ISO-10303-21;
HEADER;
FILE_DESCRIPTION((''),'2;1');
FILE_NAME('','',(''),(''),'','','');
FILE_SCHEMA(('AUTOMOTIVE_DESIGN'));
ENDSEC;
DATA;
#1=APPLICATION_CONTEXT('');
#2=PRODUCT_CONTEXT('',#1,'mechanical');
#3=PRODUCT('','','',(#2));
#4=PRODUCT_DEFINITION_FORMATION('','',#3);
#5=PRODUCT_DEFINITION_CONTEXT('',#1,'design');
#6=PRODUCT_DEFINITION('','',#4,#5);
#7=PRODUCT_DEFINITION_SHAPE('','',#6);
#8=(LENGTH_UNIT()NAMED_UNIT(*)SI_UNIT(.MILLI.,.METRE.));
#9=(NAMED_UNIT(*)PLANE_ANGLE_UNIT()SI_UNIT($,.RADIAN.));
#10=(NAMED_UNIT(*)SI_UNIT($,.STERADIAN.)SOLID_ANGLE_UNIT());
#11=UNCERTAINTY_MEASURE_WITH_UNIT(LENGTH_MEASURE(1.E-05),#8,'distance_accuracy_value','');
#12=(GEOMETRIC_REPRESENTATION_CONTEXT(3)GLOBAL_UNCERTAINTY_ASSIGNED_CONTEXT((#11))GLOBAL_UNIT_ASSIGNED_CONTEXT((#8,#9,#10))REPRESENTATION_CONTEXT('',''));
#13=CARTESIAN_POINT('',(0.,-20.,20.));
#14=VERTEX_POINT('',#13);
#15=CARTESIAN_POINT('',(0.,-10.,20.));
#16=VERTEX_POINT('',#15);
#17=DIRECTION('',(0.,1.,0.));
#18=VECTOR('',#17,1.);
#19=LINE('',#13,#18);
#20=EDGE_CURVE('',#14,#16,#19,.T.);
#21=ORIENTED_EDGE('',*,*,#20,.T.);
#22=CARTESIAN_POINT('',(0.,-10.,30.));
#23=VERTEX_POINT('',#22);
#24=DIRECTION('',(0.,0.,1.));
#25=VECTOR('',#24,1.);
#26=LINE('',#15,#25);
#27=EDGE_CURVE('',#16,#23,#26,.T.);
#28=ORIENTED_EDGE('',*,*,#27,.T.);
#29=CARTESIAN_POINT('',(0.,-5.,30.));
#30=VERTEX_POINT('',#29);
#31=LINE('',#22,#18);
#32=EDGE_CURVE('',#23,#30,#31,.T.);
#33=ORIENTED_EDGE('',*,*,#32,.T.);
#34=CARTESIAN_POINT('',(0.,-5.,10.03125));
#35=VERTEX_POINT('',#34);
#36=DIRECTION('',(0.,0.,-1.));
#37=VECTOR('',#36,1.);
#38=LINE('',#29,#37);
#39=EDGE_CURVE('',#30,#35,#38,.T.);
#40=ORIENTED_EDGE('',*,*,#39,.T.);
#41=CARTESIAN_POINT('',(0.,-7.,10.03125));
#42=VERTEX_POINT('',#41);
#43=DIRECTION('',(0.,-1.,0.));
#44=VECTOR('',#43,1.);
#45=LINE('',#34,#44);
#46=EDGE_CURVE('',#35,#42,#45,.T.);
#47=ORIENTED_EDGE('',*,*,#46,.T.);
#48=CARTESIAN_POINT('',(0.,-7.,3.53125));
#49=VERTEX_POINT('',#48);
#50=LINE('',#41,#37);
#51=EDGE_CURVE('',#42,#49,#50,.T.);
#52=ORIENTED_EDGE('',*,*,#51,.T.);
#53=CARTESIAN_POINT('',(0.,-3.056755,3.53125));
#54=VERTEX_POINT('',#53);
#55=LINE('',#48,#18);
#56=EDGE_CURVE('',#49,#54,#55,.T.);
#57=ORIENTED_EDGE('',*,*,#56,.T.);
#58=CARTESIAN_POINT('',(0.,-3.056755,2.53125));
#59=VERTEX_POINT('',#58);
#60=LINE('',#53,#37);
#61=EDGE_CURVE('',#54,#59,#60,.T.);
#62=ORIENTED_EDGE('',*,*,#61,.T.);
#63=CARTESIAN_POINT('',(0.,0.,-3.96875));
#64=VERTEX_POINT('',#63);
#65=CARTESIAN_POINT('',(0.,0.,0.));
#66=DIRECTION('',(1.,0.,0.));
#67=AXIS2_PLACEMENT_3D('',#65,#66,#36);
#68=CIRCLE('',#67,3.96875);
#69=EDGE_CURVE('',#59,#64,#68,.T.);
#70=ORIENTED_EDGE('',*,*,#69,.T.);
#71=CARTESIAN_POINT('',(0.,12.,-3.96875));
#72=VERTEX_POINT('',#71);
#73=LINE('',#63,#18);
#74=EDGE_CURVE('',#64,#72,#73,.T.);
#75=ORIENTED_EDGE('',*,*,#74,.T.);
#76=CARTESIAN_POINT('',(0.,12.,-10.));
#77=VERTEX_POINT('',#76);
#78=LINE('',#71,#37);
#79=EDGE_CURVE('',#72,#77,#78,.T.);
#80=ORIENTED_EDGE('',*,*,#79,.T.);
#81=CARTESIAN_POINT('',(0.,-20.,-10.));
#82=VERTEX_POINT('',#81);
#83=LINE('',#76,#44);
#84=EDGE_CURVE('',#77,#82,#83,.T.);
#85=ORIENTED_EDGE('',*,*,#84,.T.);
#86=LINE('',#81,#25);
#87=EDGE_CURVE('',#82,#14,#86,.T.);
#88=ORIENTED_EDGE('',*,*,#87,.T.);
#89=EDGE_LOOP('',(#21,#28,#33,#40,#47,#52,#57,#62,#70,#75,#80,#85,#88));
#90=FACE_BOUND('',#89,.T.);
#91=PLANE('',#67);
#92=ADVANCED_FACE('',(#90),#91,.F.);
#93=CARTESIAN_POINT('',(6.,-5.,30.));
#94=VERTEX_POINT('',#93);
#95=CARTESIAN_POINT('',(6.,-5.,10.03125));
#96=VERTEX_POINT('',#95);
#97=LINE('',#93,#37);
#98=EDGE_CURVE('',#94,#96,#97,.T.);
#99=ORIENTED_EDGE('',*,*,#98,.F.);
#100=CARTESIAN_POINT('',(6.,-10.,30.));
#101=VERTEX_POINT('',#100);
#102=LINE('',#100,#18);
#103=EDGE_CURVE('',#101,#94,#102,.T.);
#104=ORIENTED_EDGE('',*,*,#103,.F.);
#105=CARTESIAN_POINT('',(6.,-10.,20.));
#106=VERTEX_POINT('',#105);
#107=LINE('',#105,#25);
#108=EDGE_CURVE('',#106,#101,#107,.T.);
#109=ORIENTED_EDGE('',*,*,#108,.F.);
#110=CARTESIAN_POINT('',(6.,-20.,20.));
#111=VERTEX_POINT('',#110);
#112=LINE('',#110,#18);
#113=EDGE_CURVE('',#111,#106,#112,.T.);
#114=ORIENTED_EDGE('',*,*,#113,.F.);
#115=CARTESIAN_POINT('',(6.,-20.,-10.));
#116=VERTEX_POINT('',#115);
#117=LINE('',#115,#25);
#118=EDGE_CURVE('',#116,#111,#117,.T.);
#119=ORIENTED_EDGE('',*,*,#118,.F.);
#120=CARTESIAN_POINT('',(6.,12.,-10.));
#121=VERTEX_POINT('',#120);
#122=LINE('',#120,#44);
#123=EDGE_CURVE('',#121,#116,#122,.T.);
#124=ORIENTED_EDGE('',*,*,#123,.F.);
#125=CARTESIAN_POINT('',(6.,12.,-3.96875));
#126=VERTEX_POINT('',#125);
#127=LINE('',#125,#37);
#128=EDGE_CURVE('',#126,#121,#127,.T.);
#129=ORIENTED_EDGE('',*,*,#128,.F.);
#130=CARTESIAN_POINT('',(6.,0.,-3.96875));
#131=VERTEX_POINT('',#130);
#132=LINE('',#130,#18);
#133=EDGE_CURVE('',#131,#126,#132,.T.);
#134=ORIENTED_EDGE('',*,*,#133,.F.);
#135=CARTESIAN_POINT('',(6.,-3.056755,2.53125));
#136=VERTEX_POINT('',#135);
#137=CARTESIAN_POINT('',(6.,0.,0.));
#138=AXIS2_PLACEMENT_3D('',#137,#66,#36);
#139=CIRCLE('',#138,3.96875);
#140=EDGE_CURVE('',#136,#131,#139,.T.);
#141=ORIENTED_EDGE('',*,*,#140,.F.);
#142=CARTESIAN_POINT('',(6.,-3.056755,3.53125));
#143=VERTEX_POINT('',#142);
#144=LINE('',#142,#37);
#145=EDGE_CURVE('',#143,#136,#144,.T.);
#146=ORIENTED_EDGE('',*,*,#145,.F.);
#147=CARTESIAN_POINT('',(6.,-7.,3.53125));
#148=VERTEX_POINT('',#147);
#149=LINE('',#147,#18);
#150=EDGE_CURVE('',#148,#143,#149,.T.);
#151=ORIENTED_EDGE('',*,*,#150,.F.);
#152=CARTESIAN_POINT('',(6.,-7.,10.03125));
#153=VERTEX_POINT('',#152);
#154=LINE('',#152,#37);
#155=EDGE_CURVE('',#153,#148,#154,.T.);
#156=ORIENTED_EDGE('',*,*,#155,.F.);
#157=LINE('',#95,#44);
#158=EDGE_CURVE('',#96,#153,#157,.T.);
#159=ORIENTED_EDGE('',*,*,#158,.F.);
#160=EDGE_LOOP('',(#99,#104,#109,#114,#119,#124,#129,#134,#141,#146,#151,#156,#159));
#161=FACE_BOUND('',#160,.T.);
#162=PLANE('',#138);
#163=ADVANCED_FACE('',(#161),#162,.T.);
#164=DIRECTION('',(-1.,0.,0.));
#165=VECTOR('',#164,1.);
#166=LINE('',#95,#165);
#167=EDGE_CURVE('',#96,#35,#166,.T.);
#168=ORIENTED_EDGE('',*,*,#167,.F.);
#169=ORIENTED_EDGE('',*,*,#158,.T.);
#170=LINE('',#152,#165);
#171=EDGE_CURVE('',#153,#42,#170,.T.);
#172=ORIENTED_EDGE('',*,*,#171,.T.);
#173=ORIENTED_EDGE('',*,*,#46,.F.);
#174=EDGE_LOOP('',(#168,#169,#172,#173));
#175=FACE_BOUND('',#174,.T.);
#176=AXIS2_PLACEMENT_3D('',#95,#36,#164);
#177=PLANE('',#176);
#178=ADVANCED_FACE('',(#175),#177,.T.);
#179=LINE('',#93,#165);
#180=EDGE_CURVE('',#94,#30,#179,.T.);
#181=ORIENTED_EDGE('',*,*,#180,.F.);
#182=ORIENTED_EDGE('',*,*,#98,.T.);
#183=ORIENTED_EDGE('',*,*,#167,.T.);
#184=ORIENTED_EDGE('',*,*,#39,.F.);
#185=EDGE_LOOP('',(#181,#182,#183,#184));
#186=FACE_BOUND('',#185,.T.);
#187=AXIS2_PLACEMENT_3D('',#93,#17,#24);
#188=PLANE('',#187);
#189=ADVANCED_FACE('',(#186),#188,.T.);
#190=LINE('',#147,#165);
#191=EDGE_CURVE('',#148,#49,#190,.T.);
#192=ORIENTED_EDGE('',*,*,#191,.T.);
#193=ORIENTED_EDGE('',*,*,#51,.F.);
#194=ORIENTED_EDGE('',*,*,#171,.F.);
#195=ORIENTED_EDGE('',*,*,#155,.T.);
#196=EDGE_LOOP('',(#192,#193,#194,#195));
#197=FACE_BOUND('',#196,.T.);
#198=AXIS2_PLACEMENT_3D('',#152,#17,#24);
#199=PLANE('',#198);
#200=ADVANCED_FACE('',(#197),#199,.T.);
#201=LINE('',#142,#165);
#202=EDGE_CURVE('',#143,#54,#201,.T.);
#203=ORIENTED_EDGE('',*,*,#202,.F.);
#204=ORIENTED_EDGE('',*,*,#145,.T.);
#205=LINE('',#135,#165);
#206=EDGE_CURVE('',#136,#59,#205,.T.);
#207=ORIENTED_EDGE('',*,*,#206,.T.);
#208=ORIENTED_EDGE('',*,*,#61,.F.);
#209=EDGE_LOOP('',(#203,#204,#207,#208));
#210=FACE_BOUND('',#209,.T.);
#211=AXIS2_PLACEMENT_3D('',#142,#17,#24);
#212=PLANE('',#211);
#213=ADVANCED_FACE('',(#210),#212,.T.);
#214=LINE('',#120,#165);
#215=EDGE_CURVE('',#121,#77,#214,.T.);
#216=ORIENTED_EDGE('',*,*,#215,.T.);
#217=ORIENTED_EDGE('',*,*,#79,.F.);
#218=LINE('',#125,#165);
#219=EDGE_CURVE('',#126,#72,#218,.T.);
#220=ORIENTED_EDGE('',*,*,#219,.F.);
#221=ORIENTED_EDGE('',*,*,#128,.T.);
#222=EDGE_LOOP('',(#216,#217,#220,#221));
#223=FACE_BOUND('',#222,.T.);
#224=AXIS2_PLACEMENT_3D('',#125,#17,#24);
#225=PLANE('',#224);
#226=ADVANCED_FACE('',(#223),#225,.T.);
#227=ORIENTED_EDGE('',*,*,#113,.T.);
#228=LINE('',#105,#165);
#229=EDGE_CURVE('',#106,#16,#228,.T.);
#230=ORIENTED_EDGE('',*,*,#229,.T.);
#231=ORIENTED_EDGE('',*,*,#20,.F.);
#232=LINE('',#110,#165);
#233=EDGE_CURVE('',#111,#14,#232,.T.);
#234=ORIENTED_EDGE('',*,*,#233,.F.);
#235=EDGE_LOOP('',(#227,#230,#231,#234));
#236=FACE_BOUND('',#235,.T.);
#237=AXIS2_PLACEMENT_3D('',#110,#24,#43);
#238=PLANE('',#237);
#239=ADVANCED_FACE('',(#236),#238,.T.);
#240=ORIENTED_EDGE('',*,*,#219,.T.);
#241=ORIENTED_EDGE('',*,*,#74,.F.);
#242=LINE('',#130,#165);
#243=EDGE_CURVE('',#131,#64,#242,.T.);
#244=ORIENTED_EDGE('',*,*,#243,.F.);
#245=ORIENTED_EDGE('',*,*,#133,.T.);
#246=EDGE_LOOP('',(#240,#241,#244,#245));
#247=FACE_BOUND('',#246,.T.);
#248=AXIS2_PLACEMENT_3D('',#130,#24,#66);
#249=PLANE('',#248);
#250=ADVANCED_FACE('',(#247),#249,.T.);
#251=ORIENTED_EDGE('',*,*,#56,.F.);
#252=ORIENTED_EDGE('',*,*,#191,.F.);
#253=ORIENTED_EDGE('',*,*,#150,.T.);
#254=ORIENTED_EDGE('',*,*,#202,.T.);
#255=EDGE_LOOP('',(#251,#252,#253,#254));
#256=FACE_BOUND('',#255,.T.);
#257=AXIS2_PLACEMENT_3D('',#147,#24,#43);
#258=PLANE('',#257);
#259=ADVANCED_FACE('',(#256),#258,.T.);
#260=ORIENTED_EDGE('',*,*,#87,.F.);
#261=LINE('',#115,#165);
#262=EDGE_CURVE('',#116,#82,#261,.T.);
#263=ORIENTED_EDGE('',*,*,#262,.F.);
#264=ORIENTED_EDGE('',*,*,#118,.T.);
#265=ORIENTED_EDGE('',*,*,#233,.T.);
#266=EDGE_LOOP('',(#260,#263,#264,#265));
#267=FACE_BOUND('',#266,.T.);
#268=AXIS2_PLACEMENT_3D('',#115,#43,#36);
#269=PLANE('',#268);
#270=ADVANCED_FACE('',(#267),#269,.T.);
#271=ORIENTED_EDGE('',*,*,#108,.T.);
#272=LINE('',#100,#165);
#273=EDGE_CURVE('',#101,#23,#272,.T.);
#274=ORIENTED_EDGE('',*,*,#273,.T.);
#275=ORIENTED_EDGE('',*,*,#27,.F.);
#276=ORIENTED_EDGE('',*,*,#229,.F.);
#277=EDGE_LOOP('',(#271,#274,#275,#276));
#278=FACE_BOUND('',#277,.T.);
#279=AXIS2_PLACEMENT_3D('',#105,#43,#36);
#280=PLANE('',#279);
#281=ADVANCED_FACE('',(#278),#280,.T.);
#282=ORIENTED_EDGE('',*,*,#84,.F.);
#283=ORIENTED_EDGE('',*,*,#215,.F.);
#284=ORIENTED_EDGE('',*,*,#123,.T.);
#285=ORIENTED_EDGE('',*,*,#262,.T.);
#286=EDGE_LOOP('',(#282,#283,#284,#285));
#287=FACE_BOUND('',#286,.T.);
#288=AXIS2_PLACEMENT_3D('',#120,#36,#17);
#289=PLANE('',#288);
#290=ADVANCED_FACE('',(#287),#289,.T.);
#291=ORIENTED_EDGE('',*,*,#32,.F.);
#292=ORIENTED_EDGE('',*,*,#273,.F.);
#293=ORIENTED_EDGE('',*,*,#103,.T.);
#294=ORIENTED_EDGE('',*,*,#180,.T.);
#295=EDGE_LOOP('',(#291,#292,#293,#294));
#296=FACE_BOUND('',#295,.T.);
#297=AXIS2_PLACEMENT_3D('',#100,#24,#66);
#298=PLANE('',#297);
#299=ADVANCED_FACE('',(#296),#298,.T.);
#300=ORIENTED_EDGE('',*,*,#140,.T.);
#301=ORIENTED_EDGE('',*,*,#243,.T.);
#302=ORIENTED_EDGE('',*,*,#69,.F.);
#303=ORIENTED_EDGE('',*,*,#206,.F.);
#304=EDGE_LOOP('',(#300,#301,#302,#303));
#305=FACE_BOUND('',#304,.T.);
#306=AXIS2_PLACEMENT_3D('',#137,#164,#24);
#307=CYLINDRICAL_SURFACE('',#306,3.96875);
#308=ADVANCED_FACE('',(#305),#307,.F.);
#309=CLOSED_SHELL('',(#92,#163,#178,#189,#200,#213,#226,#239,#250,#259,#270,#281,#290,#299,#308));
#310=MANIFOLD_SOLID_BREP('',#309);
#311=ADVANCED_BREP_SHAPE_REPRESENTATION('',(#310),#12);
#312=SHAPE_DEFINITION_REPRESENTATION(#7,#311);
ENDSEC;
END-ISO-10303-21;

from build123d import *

# Parameters (mm, degrees)
BOSS_EXTRUDE1_DEPTH = 6


with BuildPart() as part:
    # Sketch1 → Boss-Extrude1 (new body)
    with BuildSketch(Plane(origin=(0, 0, 0), x_dir=(0, 0, -1), z_dir=(1, 0, 0))):
        with BuildLine():
            Line((3.96875, 0), (3.96875, 12))
            Line((3.96875, 12), (10, 12))
            Line((10, 12), (10, -20))
            Line((10, -20), (-20, -20))
            Line((-20, -20), (-20, -10))
            Line((-20, -10), (-30, -10))
            Line((-30, -10), (-30, -5))
            Line((-30, -5), (-10.03125, -5))
            Line((-10.03125, -5), (-10.03125, -7))
            Line((-10.03125, -7), (-3.53125, -7))
            Line((-3.53125, -7), (-3.53125, -3.056754815))
            Line((-3.53125, -3.056754815), (-2.53125, -3.056754815))
            ThreePointArc((-2.53125, -3.056754815), (1.68894614, -3.591439475), (3.96875, 0))
        make_face()
    extrude(amount=BOSS_EXTRUDE1_DEPTH)


solid = part.part
